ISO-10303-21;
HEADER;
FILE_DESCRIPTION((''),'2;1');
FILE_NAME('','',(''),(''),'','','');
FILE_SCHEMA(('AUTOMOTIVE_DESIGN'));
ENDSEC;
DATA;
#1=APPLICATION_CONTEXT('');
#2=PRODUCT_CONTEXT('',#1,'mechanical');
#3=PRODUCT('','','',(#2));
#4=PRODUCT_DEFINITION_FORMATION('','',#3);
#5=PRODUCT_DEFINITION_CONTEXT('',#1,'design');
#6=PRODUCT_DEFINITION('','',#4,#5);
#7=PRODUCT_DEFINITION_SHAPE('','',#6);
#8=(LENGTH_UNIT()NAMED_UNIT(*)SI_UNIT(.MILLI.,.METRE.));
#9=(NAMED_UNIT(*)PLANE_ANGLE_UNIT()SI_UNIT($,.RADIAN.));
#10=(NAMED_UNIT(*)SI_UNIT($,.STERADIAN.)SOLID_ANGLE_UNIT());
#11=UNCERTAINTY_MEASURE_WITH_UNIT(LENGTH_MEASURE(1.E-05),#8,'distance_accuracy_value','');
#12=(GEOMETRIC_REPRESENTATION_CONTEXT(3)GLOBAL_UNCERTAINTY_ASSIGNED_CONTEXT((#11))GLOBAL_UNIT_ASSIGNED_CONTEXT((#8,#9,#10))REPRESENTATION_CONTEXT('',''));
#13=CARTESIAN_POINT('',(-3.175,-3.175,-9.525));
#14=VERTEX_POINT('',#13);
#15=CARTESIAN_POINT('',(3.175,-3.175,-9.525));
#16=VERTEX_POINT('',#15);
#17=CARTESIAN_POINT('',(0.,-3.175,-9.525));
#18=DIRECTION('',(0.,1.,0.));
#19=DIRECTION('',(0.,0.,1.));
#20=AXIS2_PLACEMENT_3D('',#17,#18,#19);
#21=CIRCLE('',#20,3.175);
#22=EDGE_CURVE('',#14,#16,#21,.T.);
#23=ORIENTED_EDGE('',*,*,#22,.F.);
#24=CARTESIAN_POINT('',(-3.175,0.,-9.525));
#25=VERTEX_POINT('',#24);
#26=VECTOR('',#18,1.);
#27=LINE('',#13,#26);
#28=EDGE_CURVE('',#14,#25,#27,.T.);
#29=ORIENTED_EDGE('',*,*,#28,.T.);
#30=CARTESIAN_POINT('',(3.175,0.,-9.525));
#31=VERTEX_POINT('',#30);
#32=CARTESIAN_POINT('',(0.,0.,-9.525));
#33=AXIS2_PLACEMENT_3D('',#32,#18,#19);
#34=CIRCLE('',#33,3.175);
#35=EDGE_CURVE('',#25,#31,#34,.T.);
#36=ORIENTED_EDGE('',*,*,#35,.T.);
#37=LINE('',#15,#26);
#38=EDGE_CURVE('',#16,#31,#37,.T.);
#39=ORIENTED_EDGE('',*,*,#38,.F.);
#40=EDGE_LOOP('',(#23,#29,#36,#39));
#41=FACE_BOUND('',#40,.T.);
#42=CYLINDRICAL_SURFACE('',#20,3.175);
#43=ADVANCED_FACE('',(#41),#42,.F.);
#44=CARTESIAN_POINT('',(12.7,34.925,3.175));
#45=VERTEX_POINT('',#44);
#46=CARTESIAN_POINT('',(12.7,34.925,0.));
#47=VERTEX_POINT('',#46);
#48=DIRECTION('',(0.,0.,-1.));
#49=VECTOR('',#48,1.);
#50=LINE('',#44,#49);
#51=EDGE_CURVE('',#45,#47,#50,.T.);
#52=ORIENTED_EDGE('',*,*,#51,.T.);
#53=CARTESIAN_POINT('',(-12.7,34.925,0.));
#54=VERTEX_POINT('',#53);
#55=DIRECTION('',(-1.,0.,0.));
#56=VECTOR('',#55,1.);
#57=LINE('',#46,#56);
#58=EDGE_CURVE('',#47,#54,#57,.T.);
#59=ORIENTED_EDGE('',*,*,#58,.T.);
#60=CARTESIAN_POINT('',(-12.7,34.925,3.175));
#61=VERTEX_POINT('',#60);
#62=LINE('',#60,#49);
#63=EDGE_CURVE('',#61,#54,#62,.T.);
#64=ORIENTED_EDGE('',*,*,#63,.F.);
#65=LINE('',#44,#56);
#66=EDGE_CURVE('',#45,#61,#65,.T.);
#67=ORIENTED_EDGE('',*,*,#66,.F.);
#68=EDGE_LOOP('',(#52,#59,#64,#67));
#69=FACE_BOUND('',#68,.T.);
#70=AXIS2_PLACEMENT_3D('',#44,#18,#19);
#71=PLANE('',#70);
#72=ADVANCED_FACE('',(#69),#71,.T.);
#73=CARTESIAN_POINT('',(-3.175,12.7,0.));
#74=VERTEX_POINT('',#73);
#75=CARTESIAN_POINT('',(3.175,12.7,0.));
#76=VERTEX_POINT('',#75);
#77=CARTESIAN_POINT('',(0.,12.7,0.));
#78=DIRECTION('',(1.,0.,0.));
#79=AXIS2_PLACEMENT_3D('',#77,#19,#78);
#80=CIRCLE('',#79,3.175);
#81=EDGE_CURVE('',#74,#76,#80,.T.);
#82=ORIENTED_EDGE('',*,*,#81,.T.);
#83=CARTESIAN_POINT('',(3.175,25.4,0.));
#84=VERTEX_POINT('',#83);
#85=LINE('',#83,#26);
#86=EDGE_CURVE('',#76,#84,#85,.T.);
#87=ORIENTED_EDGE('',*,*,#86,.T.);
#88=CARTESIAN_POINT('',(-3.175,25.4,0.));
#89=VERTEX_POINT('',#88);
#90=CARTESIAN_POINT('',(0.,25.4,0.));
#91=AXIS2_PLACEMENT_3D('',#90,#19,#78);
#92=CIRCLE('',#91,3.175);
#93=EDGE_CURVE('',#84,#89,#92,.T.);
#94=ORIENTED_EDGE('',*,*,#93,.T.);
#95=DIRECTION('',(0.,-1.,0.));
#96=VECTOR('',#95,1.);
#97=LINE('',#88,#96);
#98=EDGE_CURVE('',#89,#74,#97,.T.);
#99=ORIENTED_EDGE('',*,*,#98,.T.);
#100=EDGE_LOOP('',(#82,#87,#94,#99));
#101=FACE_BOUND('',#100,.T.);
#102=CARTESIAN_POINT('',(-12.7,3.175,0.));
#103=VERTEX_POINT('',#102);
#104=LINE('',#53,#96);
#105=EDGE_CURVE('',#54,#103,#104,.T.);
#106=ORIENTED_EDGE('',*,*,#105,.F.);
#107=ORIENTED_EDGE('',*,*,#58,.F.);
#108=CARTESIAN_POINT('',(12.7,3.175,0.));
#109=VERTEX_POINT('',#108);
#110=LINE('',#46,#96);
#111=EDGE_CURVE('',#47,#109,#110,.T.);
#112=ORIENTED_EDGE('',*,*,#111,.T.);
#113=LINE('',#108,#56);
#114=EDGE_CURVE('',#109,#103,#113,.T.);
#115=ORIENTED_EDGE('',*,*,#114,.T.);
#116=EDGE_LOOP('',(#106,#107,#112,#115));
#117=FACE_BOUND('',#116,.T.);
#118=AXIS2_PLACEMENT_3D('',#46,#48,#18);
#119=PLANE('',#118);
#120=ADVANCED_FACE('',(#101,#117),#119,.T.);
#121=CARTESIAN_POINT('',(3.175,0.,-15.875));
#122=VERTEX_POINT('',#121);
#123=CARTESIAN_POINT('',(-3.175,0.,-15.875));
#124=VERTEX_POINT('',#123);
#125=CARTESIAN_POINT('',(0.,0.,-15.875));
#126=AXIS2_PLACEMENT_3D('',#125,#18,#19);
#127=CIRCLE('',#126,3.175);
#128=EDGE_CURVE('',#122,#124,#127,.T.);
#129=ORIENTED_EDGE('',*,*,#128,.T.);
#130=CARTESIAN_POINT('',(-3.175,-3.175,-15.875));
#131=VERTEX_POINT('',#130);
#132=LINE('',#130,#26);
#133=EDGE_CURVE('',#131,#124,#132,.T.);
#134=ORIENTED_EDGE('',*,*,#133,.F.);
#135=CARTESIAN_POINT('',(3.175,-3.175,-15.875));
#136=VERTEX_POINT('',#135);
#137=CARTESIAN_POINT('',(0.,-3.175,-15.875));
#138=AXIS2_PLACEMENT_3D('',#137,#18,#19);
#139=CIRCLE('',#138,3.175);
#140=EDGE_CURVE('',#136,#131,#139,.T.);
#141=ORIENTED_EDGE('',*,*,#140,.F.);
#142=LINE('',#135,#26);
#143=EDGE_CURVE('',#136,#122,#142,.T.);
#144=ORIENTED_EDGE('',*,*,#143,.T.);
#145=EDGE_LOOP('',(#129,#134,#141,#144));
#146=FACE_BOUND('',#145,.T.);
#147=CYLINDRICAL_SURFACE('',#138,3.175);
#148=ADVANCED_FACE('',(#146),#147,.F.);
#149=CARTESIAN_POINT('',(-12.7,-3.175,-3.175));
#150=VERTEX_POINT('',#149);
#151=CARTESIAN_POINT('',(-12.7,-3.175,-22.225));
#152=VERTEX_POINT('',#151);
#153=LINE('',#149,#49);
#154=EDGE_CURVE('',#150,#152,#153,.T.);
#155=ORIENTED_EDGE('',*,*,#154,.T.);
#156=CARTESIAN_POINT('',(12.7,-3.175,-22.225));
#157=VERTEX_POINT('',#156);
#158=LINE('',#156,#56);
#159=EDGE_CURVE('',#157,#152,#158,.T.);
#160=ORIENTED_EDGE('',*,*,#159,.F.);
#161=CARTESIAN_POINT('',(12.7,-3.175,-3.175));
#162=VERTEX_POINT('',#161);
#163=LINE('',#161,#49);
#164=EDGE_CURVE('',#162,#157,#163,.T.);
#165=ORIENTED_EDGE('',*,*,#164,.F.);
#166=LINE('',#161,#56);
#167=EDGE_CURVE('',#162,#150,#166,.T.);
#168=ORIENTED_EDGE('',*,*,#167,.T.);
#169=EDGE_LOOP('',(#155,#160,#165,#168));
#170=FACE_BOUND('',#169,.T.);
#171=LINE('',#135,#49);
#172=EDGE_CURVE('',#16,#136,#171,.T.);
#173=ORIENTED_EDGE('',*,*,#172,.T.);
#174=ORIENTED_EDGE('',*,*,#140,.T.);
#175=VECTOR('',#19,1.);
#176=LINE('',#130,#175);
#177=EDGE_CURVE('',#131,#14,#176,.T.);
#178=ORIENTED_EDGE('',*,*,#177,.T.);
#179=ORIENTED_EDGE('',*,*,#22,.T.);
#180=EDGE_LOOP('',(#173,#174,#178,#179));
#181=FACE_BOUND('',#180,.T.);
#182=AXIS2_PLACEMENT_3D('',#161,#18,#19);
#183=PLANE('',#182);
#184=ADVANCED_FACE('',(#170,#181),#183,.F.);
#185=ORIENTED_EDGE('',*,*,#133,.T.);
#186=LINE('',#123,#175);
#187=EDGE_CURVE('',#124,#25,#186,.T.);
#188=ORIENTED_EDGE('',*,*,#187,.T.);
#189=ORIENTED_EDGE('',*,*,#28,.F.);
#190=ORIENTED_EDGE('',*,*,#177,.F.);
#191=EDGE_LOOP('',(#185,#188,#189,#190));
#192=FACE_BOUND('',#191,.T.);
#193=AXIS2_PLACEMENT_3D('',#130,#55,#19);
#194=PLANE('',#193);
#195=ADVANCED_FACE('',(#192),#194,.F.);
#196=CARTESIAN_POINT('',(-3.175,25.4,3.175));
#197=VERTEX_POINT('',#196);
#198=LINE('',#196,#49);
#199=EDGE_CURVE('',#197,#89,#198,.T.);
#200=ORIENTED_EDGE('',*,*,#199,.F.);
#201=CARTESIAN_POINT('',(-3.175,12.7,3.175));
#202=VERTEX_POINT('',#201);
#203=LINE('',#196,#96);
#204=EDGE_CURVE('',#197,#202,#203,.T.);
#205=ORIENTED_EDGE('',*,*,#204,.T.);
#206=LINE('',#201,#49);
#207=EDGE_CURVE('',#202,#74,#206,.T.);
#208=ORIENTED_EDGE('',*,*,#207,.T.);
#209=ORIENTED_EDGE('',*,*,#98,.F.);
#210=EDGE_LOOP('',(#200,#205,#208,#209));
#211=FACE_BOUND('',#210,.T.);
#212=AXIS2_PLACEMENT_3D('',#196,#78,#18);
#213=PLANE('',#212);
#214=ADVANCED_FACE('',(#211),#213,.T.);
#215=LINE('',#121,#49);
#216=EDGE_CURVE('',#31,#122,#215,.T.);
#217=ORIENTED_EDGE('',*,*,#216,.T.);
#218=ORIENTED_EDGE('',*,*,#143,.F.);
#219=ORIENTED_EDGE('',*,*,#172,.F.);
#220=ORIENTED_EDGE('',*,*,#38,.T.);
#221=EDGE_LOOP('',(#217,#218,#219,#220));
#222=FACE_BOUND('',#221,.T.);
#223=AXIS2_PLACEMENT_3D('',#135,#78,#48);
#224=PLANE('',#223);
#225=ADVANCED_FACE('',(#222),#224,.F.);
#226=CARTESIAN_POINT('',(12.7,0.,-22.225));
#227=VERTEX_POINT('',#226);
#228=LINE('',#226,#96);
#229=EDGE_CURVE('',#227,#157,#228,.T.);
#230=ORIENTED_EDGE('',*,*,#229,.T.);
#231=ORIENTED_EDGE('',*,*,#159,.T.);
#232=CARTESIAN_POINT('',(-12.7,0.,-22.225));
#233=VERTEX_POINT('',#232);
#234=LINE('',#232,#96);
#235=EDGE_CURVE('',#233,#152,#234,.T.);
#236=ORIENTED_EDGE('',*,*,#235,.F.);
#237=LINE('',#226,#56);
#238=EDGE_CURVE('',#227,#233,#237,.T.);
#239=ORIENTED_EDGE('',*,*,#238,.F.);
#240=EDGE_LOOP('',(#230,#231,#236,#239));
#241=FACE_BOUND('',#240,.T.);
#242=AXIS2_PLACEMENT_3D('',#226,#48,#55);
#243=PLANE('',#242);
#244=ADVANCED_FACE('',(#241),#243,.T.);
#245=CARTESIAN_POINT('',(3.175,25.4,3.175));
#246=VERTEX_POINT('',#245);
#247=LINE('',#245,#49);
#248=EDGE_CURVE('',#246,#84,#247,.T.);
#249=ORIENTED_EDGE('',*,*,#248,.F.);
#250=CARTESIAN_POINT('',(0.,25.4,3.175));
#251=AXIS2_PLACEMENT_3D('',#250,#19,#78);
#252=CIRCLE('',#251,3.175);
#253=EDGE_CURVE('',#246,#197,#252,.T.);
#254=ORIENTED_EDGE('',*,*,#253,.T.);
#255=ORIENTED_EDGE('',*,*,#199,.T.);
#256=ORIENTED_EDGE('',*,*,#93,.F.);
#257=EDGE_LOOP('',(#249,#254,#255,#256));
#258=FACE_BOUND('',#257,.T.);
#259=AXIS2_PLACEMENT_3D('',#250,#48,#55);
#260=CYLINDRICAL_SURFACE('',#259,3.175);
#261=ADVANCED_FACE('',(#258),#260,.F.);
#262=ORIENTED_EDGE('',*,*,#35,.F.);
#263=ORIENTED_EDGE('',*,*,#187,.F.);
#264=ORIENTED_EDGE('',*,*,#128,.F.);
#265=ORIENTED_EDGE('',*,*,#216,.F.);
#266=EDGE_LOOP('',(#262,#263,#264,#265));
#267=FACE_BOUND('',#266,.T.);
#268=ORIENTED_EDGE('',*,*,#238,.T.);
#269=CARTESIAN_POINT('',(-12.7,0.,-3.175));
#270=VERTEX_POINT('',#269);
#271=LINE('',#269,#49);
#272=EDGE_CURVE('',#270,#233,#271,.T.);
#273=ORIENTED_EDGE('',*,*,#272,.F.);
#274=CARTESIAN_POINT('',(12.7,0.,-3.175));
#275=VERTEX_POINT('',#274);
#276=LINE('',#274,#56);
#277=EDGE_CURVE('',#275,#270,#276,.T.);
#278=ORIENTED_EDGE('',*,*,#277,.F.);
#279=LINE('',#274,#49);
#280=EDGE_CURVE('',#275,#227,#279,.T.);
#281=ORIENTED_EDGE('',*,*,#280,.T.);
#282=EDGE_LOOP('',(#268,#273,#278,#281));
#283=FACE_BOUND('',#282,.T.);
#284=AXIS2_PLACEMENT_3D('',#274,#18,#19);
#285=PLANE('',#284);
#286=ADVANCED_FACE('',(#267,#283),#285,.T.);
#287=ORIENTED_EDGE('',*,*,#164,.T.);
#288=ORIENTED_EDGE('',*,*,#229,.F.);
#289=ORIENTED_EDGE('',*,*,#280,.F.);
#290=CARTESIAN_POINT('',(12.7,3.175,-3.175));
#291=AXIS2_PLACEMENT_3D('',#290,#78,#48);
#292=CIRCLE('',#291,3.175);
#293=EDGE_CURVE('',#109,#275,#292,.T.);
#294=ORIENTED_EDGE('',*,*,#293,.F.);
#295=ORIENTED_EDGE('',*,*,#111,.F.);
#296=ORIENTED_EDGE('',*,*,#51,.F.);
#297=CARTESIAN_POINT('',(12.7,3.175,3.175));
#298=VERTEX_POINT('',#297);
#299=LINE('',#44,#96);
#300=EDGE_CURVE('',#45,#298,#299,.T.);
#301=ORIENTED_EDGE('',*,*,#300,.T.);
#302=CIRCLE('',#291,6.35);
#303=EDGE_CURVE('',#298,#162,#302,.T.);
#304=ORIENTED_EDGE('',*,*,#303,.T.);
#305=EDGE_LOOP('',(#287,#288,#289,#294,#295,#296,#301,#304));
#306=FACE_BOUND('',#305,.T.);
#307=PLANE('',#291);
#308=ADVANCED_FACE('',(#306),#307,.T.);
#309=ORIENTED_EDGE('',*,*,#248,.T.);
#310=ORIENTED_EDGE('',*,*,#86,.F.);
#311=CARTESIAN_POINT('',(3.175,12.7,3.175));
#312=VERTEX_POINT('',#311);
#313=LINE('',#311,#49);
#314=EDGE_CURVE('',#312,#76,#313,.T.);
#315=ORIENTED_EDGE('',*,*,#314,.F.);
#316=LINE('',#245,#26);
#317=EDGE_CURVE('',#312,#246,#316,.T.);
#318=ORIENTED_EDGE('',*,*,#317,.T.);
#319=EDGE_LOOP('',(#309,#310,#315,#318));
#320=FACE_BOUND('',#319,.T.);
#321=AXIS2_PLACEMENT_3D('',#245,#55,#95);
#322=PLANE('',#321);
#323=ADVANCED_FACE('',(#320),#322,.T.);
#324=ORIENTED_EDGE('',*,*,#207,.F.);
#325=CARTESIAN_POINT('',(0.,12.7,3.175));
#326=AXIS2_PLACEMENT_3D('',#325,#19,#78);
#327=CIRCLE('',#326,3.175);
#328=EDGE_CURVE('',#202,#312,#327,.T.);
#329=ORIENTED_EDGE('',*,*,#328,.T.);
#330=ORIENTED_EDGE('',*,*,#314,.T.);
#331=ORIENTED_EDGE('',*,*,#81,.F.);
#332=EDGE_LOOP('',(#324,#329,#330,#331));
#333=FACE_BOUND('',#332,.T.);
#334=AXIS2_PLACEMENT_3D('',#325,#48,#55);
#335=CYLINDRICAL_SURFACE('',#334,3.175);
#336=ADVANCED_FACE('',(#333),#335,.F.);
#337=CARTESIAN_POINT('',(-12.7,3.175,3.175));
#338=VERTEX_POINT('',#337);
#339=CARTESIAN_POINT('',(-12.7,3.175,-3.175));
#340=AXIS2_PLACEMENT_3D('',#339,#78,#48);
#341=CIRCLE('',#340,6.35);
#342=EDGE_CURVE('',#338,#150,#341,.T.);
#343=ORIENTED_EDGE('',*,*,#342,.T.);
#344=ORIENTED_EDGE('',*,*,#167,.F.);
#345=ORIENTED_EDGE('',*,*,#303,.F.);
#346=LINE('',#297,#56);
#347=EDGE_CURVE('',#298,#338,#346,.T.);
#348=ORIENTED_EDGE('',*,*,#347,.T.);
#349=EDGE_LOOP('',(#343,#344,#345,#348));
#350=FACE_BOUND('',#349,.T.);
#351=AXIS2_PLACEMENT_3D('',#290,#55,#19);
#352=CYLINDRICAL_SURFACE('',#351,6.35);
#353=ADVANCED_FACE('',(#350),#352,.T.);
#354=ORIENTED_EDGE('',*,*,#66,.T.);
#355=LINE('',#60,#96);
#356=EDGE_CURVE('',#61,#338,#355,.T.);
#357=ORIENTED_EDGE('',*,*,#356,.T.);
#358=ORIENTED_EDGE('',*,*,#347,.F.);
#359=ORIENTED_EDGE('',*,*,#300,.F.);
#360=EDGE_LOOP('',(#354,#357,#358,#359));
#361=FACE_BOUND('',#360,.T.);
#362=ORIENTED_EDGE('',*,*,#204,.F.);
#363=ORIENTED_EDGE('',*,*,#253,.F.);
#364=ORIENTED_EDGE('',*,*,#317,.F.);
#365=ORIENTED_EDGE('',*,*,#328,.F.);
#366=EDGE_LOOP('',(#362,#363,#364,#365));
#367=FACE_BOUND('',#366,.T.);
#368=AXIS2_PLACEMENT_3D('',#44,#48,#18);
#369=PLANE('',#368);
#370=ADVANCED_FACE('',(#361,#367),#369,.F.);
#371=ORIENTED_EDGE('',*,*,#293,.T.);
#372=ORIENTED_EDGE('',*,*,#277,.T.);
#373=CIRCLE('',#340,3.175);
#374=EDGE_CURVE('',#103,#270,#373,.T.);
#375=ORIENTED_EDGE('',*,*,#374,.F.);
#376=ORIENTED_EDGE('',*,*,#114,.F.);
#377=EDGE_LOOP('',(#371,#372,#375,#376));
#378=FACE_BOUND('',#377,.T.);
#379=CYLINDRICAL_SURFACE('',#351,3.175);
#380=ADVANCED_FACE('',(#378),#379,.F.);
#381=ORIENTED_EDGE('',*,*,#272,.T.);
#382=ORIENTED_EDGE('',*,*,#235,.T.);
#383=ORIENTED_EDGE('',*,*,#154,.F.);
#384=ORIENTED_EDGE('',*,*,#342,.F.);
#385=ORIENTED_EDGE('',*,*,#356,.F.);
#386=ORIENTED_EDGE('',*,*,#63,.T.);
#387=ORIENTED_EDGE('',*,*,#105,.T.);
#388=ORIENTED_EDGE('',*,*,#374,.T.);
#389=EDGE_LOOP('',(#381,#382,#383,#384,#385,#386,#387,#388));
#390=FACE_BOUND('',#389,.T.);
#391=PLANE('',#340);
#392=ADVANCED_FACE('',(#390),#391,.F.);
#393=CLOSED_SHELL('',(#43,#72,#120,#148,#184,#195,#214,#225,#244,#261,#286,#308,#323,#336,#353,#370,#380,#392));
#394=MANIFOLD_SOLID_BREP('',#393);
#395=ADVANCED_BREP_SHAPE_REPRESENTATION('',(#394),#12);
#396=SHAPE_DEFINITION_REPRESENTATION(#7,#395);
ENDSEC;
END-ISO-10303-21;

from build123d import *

# Parameters (mm, degrees)
EXTRUDE_THIN1_DEPTH = 12.7
CUT_EXTRUDE1_DEPTH  = 44.301226888
CUT_EXTRUDE2_DEPTH  = 44.301226888


with BuildPart() as part:
    # Sketch4 → Extrude-Thin1 (new, symmetric)
    with BuildSketch(Plane(origin=(0, 0, 0), x_dir=(0, 0, -1), z_dir=(1, 0, 0))):
        with BuildLine():
            Line((-3.175, 34.925), (-3.175, 3.175))
            ThreePointArc((-3.175, 3.175), (-1.315128061, -1.315128061), (3.175, -3.175))
            Line((3.175, -3.175), (22.225, -3.175))
            Line((22.225, -3.175), (22.225, 0))
            Line((22.225, 0), (3.175, 0))
            ThreePointArc((3.175, 0), (0.92993597, 0.92993597), (0, 3.175))
            Line((0, 3.175), (0, 34.925))
            Line((0, 34.925), (-3.175, 34.925))
        make_face()
    extrude(amount=EXTRUDE_THIN1_DEPTH, both=True)

    # Sketch5 → Cut-Extrude1 (cut, through all)
    with BuildSketch(Plane.XY):
        with BuildLine():
            Line((3.175, 25.4), (3.175, 12.7))
            ThreePointArc((3.175, 12.7), (0, 9.525), (-3.175, 12.7))
            Line((-3.175, 12.7), (-3.175, 25.4))
            ThreePointArc((-3.175, 25.4), (0, 28.575), (3.175, 25.4))
        make_face()
    extrude(amount=CUT_EXTRUDE1_DEPTH, mode=Mode.SUBTRACT)

    # Sketch6 → Cut-Extrude2 (cut, through all)
    with BuildSketch(Plane(origin=(0, 0, 0), x_dir=(1, 0, 0), z_dir=(0, 1, 0))):
        with BuildLine():
            Line((-3.175, 15.875), (-3.175, 9.525))
            ThreePointArc((-3.175, 9.525), (0, 6.35), (3.175, 9.525))
            Line((3.175, 9.525), (3.175, 15.875))
            ThreePointArc((3.175, 15.875), (0, 19.05), (-3.175, 15.875))
        make_face()
    extrude(amount=-CUT_EXTRUDE2_DEPTH, mode=Mode.SUBTRACT)


solid = part.part
